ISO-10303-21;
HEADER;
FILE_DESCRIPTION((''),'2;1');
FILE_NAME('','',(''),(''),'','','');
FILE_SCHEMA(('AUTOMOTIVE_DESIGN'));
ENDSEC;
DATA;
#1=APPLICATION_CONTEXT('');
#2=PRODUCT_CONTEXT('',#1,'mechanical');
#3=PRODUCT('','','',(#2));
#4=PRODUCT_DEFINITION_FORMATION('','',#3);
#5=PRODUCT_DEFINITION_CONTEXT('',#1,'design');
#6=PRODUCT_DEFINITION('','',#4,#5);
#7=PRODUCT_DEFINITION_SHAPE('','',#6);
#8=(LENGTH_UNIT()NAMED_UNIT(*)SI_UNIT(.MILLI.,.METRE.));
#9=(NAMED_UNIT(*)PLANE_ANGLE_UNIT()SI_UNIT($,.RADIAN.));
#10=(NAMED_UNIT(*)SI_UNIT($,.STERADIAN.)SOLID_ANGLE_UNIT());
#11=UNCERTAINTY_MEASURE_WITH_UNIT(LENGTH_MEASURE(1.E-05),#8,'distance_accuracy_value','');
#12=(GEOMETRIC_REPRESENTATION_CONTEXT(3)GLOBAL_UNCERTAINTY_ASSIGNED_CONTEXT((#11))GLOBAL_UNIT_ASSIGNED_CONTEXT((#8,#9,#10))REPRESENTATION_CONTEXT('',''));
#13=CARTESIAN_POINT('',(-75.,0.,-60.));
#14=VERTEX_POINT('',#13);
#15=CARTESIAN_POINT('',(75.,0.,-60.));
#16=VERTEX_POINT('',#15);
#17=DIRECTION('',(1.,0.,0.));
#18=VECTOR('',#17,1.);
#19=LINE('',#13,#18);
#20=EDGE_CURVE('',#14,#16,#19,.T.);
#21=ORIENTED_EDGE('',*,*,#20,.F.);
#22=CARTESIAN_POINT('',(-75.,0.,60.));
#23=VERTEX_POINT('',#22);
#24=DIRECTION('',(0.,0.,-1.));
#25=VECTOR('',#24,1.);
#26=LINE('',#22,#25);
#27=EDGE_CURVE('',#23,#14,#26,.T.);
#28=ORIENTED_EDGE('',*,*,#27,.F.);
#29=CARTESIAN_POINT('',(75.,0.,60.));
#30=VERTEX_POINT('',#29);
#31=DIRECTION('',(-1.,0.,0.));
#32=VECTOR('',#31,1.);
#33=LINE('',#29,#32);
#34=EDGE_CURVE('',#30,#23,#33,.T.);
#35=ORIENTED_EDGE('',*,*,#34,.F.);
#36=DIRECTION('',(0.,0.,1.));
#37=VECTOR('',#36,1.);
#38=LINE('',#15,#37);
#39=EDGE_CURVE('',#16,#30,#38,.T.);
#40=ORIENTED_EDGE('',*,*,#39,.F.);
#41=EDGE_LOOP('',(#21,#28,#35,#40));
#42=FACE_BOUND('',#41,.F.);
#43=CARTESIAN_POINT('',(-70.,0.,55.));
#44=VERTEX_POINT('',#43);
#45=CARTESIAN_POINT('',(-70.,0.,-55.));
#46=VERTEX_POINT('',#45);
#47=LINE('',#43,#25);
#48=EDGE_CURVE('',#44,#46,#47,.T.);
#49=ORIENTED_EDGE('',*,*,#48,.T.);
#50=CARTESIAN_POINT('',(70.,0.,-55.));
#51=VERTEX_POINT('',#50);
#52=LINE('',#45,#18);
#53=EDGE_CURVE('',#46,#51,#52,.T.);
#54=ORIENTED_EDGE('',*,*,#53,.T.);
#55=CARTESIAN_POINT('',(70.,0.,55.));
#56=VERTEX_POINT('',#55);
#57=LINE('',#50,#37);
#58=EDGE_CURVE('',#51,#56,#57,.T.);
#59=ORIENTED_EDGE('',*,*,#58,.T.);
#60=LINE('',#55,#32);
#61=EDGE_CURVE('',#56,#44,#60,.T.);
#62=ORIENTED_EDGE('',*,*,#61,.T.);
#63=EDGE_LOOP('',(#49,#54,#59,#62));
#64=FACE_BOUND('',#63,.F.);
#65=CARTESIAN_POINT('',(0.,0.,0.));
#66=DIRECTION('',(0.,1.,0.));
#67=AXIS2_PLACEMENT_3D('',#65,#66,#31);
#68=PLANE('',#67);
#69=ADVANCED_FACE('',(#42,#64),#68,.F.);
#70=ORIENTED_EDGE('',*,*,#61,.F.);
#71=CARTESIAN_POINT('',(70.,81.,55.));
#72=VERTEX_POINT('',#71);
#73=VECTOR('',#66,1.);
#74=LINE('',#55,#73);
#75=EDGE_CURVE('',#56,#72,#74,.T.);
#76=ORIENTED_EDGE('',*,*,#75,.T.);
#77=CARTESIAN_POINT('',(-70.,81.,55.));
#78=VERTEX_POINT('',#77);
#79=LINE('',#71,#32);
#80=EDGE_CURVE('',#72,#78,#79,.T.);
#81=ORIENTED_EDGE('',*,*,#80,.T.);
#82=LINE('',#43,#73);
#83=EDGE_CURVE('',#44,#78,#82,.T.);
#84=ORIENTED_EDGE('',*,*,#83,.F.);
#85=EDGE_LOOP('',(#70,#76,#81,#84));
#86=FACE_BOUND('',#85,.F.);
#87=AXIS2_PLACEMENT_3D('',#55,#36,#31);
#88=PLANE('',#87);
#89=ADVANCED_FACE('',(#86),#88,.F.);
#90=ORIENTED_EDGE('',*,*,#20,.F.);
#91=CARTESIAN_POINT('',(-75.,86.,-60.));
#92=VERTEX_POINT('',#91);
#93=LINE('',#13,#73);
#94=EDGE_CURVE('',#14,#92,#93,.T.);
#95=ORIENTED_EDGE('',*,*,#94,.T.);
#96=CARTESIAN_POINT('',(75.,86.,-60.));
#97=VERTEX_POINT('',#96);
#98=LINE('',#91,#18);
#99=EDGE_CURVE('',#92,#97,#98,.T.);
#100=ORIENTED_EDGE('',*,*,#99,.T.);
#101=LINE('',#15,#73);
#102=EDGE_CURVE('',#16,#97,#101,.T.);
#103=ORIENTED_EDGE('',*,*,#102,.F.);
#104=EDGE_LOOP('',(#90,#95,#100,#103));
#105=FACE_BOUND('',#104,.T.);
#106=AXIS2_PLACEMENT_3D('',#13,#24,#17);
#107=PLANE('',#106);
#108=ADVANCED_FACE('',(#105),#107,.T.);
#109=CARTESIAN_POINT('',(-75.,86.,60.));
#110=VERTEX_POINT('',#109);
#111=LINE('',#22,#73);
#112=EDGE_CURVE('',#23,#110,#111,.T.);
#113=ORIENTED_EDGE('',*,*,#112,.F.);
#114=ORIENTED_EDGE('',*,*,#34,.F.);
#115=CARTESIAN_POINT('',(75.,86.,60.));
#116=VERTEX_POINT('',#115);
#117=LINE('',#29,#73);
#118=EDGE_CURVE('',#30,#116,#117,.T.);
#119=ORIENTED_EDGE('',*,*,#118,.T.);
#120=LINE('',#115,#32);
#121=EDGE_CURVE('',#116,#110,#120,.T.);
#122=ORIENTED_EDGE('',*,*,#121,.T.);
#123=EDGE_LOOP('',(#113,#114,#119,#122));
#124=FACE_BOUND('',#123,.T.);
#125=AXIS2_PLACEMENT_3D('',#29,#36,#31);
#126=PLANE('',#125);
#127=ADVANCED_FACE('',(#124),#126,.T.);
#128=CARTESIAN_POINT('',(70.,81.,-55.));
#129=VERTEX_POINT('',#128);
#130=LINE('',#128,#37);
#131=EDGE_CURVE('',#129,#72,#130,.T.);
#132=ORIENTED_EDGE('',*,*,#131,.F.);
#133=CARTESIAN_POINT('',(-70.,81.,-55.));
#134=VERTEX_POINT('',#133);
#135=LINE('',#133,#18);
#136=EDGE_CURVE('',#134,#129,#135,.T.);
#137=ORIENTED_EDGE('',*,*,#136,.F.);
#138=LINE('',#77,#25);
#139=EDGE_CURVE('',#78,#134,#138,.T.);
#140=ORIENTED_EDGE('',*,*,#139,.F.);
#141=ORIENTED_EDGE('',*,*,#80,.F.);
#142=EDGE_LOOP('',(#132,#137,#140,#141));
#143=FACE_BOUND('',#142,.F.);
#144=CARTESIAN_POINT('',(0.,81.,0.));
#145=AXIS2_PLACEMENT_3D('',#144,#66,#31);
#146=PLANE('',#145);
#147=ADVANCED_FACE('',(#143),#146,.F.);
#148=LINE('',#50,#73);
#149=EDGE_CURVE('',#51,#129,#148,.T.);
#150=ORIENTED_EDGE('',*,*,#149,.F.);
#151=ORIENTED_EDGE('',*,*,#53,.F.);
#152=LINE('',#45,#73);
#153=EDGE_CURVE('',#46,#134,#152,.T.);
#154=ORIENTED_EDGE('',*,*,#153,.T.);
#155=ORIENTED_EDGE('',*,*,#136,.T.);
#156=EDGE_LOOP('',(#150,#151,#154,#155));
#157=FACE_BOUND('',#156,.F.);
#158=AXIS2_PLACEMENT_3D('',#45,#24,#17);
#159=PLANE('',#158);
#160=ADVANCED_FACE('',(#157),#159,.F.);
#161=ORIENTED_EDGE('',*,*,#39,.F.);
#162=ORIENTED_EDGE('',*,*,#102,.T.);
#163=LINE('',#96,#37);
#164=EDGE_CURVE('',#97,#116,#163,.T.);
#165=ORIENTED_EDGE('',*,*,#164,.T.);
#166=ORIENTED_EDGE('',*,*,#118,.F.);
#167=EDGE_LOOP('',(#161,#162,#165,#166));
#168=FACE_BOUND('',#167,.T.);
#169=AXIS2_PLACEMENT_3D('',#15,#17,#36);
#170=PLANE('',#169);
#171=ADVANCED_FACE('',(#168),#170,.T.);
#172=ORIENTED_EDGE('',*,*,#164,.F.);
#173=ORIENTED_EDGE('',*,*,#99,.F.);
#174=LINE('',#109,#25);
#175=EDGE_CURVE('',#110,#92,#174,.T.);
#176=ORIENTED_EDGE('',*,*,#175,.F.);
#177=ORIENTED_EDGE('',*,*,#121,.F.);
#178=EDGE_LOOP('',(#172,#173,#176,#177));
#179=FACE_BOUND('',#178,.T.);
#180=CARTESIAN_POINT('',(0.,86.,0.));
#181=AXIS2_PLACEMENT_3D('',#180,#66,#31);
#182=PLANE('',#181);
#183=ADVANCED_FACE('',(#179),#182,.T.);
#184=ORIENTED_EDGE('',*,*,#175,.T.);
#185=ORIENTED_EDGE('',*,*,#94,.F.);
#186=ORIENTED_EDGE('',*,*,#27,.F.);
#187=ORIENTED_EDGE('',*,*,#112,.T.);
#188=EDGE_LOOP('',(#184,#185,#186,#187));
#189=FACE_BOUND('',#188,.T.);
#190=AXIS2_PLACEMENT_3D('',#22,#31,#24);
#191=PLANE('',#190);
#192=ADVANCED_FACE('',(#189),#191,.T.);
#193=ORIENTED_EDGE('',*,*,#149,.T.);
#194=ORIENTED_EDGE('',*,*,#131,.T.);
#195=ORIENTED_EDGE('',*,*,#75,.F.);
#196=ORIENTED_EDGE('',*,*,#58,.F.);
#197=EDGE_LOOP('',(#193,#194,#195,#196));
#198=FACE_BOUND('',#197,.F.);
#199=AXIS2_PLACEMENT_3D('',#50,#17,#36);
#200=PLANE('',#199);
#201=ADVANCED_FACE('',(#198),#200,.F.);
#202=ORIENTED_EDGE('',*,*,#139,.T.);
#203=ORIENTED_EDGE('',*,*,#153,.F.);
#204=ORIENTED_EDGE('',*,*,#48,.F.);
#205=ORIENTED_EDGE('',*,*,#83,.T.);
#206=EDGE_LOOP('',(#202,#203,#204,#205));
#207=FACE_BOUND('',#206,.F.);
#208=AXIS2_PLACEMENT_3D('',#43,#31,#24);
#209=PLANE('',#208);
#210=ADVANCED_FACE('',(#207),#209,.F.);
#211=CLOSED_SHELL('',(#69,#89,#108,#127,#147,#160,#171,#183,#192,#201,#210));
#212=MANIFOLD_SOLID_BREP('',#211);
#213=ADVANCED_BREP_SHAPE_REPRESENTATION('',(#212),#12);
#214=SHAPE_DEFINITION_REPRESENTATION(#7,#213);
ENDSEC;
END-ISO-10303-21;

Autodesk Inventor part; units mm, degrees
ref_plane "YZ Plane" through (0, 0, 0) normal (1, 0, 0) x (0, 1, 0)
ref_plane "XZ Plane" through (0, 0, 0) normal (0, 1, 0) x (-1, 0, 0)
ref_plane "XY Plane" through (0, 0, 0) normal (0, 0, 1) x (1, 0, 0)
sketch "Sketch1" plane through (0, 0, 0) normal (0, 1, 0) x (-1, 0, 0)
  line L0 (-75, 60) -> (75, 60)
  line L1 (75, 60) -> (75, -60)
  line L2 (75, -60) -> (-75, -60)
  line L3 (-75, -60) -> (-75, 60)
  line L4 (-75, 60) -> (75, -60) construction
  line L5 (75, 60) -> (-75, -60) construction
  line L6 (-70, 55) -> (70, 55)
  line L7 (70, 55) -> (70, -55)
  line L8 (70, -55) -> (-70, -55)
  line L9 (-70, -55) -> (-70, 55)
  line L10 (-70, 55) -> (70, -55) construction
  line L11 (70, 55) -> (-70, -55) construction
  point P0 (0, 0)
  dimension "d0" = 150
  dimension "d1" = 120
  dimension "d2" = 140
  dimension "d3" = 110
  dimension "d8" = 5
extrude "Extrusion1" add sketch "Sketch1" along normal blind 86 contours L0 L1 L2 L3 | L6 L7 L8 L9
extrude "Extrusion2" cut sketch "Sketch1" along normal blind 81 contours L6 L7 L8 L9
properties part number "Stand of Shooting"
